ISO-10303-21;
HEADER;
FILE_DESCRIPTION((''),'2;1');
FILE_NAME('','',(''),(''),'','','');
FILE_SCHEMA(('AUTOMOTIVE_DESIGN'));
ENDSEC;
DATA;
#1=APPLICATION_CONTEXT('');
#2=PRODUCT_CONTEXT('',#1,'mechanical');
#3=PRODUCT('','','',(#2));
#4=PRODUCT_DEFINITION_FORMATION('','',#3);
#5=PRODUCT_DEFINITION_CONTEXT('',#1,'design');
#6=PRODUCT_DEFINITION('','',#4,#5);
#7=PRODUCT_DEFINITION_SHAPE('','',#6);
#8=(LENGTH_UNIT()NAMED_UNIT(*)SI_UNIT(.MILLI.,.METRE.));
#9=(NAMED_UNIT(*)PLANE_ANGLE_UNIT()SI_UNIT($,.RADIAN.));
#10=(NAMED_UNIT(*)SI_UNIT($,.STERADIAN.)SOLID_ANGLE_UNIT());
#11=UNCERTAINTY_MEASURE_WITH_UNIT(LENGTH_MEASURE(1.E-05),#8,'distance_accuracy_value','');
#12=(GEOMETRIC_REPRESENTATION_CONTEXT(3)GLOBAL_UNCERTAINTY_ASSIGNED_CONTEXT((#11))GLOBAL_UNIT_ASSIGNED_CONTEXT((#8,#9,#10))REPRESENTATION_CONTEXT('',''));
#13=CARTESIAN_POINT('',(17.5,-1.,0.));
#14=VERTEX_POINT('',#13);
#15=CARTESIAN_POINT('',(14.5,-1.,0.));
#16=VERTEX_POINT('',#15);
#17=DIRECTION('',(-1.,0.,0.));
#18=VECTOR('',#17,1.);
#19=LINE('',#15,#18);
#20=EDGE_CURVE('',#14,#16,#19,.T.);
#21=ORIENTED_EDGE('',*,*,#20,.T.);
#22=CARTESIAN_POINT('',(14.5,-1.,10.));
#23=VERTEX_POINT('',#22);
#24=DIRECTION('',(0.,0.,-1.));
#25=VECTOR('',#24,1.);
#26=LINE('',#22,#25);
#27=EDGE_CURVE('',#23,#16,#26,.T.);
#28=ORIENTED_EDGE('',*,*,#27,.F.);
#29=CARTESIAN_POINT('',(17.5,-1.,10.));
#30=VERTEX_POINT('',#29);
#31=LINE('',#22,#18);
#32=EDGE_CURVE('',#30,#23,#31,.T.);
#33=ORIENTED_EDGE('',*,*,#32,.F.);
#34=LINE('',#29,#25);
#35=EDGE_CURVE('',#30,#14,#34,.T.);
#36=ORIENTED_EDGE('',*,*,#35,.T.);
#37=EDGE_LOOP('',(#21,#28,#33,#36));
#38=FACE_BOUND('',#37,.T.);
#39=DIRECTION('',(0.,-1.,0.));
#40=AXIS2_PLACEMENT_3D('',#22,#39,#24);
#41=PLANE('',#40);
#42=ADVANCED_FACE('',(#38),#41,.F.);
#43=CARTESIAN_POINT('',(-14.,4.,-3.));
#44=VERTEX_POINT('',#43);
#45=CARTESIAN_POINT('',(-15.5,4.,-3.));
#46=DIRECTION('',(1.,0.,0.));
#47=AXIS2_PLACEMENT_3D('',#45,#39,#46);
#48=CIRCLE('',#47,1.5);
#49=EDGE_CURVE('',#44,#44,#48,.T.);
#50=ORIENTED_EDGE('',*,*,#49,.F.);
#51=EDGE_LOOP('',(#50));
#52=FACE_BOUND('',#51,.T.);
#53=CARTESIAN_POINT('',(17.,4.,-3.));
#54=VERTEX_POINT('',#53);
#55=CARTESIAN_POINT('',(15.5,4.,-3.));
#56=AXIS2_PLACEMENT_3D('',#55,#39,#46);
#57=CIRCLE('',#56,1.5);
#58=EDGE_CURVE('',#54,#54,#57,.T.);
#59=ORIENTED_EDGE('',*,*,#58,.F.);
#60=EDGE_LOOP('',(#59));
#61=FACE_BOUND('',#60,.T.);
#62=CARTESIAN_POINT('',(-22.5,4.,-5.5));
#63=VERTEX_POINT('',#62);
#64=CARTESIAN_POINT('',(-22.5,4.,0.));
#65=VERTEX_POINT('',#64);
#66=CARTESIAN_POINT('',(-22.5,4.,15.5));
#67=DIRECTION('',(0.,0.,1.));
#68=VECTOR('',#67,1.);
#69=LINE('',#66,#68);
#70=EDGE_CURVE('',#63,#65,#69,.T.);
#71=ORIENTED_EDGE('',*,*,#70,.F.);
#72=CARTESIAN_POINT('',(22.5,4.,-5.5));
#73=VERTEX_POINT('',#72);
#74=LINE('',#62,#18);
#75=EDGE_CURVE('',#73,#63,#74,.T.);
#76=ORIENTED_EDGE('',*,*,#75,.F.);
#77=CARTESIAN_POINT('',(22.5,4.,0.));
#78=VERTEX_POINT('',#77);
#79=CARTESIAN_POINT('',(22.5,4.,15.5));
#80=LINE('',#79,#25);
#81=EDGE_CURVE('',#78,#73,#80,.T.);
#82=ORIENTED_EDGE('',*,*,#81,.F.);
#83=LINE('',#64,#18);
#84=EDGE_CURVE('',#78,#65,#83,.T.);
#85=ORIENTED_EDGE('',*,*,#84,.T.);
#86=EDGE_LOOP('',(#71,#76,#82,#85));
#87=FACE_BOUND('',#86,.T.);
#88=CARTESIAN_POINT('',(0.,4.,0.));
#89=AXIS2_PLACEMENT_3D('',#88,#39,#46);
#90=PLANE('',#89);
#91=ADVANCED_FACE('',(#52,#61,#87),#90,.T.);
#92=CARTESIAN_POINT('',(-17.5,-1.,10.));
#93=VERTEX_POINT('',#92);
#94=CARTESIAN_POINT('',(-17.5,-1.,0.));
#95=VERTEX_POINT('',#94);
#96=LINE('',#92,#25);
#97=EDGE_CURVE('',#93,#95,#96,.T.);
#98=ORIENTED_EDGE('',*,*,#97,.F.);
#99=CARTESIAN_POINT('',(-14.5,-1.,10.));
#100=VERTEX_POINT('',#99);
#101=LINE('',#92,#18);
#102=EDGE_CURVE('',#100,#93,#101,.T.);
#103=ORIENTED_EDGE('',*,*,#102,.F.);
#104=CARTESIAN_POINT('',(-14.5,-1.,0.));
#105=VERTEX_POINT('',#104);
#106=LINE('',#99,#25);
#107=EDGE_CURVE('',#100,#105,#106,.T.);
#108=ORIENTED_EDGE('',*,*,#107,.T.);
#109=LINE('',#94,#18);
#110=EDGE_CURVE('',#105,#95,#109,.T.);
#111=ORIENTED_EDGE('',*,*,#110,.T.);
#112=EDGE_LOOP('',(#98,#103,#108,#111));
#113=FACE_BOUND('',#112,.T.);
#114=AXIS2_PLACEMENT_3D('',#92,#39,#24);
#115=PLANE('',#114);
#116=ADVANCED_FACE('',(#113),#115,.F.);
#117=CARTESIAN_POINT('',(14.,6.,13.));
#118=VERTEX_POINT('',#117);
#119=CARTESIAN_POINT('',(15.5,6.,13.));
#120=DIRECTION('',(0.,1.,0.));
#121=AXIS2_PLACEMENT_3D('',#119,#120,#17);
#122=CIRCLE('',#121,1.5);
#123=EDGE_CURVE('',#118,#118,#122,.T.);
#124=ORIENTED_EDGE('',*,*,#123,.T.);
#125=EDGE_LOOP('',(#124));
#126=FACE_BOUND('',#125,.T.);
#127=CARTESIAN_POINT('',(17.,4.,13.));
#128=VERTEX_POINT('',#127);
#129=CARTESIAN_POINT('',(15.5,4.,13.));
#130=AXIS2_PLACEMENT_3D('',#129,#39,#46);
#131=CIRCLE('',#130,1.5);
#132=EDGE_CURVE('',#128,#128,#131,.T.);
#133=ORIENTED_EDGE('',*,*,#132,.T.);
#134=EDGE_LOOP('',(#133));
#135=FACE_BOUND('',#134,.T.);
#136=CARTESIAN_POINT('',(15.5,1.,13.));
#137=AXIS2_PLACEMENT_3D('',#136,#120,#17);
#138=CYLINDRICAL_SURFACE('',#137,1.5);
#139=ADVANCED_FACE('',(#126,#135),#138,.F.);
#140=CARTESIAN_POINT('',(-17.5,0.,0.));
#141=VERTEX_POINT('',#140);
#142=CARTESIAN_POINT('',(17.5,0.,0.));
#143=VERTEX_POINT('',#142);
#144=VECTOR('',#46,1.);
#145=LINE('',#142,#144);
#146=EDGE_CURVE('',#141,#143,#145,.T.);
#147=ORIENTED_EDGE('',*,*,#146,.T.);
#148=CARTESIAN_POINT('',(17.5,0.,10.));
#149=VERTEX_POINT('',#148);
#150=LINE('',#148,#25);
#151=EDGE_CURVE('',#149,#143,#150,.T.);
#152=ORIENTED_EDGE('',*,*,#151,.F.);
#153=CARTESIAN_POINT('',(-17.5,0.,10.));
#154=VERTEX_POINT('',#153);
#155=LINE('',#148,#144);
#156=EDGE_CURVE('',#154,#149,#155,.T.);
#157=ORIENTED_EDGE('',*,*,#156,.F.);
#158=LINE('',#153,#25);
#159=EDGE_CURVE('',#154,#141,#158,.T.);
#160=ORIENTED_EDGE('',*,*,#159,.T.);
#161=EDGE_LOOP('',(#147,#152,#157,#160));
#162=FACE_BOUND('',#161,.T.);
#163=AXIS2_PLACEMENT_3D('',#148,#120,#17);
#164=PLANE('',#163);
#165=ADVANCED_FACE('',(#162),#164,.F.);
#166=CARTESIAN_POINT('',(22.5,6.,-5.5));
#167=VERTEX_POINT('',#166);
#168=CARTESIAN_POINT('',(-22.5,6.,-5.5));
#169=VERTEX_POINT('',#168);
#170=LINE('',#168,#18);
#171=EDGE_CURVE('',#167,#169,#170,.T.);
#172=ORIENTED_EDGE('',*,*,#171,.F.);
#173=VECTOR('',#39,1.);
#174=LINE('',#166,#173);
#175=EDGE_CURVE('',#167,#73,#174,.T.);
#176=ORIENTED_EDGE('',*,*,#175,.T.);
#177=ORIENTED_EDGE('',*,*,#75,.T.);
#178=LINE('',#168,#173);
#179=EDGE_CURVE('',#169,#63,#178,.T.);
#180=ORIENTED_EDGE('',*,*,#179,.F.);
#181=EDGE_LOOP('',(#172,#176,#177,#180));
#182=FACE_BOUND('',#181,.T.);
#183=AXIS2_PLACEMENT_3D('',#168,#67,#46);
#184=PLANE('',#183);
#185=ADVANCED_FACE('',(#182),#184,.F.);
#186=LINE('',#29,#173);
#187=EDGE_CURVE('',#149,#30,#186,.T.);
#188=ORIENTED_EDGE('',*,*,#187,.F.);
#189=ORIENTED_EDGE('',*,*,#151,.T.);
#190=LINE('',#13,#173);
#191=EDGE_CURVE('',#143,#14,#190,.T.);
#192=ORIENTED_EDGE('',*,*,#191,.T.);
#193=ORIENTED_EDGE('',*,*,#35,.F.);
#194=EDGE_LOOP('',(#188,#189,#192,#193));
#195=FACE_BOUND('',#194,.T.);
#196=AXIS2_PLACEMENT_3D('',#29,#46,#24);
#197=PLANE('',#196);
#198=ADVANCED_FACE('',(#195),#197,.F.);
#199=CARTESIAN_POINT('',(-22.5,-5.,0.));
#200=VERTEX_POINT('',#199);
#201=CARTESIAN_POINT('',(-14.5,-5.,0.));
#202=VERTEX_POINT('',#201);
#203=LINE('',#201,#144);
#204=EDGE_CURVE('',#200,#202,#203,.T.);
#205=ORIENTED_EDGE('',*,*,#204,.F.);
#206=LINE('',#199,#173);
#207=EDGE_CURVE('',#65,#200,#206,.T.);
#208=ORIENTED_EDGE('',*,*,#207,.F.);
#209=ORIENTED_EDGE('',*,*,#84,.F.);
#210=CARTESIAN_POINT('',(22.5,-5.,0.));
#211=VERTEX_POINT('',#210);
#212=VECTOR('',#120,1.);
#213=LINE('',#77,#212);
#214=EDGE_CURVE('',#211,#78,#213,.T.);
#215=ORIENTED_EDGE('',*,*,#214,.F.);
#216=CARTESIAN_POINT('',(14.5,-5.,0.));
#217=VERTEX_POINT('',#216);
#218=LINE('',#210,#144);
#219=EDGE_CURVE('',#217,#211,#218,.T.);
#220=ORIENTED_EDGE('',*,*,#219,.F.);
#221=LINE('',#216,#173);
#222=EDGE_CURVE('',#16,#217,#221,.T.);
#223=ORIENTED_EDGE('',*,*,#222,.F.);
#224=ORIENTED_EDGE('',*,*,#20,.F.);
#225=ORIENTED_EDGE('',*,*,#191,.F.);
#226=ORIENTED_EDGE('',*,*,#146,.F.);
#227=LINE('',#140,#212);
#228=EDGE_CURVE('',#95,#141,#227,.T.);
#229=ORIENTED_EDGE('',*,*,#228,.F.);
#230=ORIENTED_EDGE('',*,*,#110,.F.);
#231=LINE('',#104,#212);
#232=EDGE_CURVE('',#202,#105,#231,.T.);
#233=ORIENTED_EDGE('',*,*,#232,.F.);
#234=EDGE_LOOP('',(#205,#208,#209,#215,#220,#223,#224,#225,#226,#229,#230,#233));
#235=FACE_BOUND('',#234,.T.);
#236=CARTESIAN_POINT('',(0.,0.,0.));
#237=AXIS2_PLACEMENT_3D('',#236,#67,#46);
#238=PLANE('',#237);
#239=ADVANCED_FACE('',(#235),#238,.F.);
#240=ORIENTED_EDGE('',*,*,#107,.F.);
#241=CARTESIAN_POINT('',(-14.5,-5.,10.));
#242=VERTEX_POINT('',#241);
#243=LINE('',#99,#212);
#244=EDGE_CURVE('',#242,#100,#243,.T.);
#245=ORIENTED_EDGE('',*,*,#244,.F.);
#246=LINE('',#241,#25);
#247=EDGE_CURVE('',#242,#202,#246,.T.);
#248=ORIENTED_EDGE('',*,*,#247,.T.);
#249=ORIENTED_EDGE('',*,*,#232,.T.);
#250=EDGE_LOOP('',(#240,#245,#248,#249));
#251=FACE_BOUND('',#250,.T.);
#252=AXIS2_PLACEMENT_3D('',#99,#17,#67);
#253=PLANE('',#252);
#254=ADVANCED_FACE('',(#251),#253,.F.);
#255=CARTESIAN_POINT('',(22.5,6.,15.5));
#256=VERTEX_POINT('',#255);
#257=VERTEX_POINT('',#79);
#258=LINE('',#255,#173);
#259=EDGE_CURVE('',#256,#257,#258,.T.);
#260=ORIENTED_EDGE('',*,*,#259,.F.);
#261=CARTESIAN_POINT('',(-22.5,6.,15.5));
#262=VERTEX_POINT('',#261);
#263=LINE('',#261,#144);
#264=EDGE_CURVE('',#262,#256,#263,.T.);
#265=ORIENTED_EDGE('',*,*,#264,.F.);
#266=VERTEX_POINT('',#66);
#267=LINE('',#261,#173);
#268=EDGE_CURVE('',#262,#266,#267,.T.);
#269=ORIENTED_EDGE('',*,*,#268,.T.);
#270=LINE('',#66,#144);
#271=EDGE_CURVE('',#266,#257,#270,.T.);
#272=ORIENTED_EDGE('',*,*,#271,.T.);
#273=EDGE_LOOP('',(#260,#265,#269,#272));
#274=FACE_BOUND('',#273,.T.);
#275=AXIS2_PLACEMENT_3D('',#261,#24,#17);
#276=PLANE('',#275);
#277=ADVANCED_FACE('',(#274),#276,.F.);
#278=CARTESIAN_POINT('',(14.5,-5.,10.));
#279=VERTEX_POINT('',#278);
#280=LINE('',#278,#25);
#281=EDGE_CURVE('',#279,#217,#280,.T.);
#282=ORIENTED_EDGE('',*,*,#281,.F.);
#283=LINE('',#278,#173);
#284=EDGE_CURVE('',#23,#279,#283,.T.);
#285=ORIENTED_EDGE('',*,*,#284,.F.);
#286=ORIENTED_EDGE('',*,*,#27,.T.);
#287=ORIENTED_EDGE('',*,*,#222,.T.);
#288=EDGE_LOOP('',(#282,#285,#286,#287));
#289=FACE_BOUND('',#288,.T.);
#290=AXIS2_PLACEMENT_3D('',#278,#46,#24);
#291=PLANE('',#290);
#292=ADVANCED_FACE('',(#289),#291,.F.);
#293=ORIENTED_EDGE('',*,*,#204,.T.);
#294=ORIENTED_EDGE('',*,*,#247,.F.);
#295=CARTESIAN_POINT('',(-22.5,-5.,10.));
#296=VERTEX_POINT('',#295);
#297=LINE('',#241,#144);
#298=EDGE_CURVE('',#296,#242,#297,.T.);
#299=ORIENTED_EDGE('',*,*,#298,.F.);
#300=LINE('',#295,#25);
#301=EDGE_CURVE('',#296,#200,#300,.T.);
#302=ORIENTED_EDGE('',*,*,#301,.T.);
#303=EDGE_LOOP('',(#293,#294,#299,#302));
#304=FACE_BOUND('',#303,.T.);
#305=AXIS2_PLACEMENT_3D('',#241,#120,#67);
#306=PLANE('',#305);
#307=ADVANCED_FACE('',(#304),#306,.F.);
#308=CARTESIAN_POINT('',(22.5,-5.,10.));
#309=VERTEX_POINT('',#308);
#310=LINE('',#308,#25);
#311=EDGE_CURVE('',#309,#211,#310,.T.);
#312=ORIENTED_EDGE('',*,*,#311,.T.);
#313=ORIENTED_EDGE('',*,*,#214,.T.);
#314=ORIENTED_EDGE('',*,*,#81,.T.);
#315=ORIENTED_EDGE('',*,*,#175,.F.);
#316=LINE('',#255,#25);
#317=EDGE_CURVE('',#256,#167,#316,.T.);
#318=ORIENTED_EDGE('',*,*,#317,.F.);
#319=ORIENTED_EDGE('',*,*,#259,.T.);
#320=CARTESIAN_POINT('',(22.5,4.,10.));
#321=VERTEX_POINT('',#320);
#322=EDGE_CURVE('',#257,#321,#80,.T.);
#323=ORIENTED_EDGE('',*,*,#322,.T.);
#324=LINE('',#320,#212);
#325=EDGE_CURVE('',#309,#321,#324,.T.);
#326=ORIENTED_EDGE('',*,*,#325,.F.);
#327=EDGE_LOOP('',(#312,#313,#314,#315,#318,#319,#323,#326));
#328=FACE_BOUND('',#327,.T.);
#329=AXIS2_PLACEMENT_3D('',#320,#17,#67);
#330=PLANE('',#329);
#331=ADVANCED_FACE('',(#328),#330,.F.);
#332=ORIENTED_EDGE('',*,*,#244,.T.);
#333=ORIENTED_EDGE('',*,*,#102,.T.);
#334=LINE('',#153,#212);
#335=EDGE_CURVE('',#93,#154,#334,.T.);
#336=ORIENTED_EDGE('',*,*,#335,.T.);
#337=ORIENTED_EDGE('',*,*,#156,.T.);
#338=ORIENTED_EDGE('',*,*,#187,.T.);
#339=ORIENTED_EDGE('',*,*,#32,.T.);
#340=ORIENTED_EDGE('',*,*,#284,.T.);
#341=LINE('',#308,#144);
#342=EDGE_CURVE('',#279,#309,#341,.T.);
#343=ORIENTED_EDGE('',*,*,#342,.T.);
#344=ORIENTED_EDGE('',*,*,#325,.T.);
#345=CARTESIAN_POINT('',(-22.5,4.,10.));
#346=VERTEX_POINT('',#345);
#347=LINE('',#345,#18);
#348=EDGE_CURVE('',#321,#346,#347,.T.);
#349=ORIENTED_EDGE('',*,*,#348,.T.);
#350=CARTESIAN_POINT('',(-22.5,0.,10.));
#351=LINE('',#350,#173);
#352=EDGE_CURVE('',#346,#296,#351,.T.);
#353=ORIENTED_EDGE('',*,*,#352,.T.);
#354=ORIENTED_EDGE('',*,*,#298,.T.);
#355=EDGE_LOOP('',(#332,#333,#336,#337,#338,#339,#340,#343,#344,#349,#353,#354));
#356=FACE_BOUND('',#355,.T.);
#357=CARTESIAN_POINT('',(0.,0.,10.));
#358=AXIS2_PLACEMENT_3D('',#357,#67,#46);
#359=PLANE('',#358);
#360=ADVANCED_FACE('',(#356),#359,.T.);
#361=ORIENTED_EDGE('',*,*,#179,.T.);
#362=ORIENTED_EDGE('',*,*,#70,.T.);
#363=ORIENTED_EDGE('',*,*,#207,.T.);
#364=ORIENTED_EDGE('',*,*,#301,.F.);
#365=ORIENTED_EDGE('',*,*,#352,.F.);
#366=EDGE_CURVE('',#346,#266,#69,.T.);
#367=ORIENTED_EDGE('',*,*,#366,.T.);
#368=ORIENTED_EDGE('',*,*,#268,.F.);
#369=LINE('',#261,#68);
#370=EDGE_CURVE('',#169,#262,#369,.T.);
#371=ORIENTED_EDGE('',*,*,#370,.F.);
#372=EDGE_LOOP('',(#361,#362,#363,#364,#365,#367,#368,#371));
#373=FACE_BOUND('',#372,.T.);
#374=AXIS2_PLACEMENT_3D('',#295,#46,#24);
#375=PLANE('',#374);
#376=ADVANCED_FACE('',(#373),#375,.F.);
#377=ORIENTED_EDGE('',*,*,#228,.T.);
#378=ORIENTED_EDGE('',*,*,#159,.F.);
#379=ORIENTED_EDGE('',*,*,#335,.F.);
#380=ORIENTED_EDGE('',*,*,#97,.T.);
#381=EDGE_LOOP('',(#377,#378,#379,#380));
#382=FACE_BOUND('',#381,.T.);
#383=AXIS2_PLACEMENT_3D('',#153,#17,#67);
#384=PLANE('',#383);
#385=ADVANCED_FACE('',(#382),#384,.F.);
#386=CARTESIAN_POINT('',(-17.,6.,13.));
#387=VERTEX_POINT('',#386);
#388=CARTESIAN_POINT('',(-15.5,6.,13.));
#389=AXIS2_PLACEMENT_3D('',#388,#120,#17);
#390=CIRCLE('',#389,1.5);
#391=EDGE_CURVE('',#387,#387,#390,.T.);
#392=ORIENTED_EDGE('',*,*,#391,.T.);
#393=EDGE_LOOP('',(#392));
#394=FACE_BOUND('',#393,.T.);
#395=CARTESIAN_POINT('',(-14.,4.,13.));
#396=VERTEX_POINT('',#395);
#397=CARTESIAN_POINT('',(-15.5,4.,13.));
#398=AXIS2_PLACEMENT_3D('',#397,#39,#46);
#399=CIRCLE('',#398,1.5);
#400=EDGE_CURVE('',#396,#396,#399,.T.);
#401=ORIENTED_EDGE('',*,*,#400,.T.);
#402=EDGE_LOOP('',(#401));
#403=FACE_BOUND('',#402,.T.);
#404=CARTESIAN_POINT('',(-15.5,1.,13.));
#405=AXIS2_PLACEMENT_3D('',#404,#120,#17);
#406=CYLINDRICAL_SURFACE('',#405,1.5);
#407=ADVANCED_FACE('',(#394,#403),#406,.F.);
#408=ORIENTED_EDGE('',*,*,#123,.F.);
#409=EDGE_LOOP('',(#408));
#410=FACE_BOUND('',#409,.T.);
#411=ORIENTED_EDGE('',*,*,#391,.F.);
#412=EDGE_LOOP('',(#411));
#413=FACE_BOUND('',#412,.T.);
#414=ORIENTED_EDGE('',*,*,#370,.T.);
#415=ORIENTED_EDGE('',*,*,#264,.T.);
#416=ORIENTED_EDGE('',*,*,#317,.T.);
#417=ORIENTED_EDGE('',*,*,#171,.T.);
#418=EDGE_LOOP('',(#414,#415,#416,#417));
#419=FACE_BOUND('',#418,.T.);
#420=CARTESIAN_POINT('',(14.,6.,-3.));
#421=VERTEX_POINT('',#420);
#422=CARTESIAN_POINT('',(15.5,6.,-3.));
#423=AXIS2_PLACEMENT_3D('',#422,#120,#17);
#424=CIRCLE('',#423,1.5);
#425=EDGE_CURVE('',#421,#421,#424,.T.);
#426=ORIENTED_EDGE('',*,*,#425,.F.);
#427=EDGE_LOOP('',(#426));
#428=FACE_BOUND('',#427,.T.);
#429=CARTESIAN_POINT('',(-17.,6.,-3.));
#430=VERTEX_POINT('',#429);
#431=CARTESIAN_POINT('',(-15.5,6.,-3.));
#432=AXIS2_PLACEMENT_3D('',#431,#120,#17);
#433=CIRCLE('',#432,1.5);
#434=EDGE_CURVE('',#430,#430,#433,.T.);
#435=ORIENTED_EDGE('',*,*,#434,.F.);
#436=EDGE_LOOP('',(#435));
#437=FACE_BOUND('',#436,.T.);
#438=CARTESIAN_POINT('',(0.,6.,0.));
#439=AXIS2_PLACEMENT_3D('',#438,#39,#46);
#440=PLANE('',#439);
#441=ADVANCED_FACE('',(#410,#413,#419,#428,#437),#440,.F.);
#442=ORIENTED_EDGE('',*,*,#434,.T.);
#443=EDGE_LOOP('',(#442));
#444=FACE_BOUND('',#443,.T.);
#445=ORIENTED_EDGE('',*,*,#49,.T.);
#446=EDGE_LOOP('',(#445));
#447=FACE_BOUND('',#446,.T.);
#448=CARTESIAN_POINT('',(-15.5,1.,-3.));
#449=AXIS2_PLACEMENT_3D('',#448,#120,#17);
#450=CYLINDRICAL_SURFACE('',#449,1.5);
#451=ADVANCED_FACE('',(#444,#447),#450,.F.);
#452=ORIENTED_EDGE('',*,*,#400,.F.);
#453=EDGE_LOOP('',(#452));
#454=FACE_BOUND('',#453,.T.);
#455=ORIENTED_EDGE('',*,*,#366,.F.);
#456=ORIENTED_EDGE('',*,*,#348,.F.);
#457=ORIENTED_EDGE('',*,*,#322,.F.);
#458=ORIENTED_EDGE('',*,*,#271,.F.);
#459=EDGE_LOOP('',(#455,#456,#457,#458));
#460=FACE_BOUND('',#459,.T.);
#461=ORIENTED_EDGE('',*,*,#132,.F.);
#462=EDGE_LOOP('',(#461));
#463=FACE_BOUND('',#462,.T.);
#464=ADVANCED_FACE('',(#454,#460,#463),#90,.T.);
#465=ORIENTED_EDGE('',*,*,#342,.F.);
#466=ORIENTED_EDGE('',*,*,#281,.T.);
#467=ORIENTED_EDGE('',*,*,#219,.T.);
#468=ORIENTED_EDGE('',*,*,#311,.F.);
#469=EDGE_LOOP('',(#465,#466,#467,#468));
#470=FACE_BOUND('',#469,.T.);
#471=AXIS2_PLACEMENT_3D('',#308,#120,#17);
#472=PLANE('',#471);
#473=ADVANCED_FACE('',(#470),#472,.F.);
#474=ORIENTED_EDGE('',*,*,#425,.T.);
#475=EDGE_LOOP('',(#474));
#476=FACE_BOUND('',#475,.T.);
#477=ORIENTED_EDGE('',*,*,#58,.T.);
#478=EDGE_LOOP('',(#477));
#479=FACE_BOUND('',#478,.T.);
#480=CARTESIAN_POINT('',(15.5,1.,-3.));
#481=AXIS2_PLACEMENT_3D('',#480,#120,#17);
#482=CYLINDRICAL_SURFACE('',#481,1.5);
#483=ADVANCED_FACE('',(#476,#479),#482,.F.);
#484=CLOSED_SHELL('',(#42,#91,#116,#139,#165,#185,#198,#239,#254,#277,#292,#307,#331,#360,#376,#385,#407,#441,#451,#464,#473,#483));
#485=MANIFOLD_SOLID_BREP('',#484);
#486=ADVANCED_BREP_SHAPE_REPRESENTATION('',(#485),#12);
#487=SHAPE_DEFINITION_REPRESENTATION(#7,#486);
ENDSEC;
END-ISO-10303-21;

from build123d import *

# Parameters (mm, degrees)
BOSS_EXTRUDE1_DEPTH = 10
SKETCH3_W           = 45
SKETCH3_H           = 21
BOSS_EXTRUDE2_DEPTH = 2
SKETCH4_R           = 1.5
CUT_EXTRUDE1_DEPTH  = 5


with BuildPart() as part:
    # Sketch2 → Boss-Extrude1 (new body)
    with BuildSketch(Plane.XY):
        Polygon((-17.5, 0), (-17.5, -1), (-14.5, -1), (-14.5, -5), (-22.5, -5), (-22.5, 0), (-22.5, 4), (22.5, 4), (22.5, -5), (14.5, -5), (14.5, -1), (17.5, -1), (17.5, 0), align=None)
    extrude(amount=BOSS_EXTRUDE1_DEPTH)

    # Sketch3 → Boss-Extrude2 (add)
    with BuildSketch(Plane(origin=(0, 4, 0), x_dir=(1, 0, 0), z_dir=(0, 1, 0))):
        with Locations((0, -5)):
            Rectangle(SKETCH3_W, SKETCH3_H)
    extrude(amount=BOSS_EXTRUDE2_DEPTH)

    # Sketch4 → Cut-Extrude1 (cut)
    with BuildSketch(Plane(origin=(0, 6, 0), x_dir=(1, 0, 0), z_dir=(0, 1, 0))):
        with Locations((-15.5, -13)):
            Circle(SKETCH4_R)
        with Locations((-15.5, 3)):
            Circle(SKETCH4_R)
        with Locations((15.5, 3)):
            Circle(SKETCH4_R)
        with Locations((15.5, -13)):
            Circle(SKETCH4_R)
    extrude(amount=-CUT_EXTRUDE1_DEPTH, mode=Mode.SUBTRACT)


solid = part.part
